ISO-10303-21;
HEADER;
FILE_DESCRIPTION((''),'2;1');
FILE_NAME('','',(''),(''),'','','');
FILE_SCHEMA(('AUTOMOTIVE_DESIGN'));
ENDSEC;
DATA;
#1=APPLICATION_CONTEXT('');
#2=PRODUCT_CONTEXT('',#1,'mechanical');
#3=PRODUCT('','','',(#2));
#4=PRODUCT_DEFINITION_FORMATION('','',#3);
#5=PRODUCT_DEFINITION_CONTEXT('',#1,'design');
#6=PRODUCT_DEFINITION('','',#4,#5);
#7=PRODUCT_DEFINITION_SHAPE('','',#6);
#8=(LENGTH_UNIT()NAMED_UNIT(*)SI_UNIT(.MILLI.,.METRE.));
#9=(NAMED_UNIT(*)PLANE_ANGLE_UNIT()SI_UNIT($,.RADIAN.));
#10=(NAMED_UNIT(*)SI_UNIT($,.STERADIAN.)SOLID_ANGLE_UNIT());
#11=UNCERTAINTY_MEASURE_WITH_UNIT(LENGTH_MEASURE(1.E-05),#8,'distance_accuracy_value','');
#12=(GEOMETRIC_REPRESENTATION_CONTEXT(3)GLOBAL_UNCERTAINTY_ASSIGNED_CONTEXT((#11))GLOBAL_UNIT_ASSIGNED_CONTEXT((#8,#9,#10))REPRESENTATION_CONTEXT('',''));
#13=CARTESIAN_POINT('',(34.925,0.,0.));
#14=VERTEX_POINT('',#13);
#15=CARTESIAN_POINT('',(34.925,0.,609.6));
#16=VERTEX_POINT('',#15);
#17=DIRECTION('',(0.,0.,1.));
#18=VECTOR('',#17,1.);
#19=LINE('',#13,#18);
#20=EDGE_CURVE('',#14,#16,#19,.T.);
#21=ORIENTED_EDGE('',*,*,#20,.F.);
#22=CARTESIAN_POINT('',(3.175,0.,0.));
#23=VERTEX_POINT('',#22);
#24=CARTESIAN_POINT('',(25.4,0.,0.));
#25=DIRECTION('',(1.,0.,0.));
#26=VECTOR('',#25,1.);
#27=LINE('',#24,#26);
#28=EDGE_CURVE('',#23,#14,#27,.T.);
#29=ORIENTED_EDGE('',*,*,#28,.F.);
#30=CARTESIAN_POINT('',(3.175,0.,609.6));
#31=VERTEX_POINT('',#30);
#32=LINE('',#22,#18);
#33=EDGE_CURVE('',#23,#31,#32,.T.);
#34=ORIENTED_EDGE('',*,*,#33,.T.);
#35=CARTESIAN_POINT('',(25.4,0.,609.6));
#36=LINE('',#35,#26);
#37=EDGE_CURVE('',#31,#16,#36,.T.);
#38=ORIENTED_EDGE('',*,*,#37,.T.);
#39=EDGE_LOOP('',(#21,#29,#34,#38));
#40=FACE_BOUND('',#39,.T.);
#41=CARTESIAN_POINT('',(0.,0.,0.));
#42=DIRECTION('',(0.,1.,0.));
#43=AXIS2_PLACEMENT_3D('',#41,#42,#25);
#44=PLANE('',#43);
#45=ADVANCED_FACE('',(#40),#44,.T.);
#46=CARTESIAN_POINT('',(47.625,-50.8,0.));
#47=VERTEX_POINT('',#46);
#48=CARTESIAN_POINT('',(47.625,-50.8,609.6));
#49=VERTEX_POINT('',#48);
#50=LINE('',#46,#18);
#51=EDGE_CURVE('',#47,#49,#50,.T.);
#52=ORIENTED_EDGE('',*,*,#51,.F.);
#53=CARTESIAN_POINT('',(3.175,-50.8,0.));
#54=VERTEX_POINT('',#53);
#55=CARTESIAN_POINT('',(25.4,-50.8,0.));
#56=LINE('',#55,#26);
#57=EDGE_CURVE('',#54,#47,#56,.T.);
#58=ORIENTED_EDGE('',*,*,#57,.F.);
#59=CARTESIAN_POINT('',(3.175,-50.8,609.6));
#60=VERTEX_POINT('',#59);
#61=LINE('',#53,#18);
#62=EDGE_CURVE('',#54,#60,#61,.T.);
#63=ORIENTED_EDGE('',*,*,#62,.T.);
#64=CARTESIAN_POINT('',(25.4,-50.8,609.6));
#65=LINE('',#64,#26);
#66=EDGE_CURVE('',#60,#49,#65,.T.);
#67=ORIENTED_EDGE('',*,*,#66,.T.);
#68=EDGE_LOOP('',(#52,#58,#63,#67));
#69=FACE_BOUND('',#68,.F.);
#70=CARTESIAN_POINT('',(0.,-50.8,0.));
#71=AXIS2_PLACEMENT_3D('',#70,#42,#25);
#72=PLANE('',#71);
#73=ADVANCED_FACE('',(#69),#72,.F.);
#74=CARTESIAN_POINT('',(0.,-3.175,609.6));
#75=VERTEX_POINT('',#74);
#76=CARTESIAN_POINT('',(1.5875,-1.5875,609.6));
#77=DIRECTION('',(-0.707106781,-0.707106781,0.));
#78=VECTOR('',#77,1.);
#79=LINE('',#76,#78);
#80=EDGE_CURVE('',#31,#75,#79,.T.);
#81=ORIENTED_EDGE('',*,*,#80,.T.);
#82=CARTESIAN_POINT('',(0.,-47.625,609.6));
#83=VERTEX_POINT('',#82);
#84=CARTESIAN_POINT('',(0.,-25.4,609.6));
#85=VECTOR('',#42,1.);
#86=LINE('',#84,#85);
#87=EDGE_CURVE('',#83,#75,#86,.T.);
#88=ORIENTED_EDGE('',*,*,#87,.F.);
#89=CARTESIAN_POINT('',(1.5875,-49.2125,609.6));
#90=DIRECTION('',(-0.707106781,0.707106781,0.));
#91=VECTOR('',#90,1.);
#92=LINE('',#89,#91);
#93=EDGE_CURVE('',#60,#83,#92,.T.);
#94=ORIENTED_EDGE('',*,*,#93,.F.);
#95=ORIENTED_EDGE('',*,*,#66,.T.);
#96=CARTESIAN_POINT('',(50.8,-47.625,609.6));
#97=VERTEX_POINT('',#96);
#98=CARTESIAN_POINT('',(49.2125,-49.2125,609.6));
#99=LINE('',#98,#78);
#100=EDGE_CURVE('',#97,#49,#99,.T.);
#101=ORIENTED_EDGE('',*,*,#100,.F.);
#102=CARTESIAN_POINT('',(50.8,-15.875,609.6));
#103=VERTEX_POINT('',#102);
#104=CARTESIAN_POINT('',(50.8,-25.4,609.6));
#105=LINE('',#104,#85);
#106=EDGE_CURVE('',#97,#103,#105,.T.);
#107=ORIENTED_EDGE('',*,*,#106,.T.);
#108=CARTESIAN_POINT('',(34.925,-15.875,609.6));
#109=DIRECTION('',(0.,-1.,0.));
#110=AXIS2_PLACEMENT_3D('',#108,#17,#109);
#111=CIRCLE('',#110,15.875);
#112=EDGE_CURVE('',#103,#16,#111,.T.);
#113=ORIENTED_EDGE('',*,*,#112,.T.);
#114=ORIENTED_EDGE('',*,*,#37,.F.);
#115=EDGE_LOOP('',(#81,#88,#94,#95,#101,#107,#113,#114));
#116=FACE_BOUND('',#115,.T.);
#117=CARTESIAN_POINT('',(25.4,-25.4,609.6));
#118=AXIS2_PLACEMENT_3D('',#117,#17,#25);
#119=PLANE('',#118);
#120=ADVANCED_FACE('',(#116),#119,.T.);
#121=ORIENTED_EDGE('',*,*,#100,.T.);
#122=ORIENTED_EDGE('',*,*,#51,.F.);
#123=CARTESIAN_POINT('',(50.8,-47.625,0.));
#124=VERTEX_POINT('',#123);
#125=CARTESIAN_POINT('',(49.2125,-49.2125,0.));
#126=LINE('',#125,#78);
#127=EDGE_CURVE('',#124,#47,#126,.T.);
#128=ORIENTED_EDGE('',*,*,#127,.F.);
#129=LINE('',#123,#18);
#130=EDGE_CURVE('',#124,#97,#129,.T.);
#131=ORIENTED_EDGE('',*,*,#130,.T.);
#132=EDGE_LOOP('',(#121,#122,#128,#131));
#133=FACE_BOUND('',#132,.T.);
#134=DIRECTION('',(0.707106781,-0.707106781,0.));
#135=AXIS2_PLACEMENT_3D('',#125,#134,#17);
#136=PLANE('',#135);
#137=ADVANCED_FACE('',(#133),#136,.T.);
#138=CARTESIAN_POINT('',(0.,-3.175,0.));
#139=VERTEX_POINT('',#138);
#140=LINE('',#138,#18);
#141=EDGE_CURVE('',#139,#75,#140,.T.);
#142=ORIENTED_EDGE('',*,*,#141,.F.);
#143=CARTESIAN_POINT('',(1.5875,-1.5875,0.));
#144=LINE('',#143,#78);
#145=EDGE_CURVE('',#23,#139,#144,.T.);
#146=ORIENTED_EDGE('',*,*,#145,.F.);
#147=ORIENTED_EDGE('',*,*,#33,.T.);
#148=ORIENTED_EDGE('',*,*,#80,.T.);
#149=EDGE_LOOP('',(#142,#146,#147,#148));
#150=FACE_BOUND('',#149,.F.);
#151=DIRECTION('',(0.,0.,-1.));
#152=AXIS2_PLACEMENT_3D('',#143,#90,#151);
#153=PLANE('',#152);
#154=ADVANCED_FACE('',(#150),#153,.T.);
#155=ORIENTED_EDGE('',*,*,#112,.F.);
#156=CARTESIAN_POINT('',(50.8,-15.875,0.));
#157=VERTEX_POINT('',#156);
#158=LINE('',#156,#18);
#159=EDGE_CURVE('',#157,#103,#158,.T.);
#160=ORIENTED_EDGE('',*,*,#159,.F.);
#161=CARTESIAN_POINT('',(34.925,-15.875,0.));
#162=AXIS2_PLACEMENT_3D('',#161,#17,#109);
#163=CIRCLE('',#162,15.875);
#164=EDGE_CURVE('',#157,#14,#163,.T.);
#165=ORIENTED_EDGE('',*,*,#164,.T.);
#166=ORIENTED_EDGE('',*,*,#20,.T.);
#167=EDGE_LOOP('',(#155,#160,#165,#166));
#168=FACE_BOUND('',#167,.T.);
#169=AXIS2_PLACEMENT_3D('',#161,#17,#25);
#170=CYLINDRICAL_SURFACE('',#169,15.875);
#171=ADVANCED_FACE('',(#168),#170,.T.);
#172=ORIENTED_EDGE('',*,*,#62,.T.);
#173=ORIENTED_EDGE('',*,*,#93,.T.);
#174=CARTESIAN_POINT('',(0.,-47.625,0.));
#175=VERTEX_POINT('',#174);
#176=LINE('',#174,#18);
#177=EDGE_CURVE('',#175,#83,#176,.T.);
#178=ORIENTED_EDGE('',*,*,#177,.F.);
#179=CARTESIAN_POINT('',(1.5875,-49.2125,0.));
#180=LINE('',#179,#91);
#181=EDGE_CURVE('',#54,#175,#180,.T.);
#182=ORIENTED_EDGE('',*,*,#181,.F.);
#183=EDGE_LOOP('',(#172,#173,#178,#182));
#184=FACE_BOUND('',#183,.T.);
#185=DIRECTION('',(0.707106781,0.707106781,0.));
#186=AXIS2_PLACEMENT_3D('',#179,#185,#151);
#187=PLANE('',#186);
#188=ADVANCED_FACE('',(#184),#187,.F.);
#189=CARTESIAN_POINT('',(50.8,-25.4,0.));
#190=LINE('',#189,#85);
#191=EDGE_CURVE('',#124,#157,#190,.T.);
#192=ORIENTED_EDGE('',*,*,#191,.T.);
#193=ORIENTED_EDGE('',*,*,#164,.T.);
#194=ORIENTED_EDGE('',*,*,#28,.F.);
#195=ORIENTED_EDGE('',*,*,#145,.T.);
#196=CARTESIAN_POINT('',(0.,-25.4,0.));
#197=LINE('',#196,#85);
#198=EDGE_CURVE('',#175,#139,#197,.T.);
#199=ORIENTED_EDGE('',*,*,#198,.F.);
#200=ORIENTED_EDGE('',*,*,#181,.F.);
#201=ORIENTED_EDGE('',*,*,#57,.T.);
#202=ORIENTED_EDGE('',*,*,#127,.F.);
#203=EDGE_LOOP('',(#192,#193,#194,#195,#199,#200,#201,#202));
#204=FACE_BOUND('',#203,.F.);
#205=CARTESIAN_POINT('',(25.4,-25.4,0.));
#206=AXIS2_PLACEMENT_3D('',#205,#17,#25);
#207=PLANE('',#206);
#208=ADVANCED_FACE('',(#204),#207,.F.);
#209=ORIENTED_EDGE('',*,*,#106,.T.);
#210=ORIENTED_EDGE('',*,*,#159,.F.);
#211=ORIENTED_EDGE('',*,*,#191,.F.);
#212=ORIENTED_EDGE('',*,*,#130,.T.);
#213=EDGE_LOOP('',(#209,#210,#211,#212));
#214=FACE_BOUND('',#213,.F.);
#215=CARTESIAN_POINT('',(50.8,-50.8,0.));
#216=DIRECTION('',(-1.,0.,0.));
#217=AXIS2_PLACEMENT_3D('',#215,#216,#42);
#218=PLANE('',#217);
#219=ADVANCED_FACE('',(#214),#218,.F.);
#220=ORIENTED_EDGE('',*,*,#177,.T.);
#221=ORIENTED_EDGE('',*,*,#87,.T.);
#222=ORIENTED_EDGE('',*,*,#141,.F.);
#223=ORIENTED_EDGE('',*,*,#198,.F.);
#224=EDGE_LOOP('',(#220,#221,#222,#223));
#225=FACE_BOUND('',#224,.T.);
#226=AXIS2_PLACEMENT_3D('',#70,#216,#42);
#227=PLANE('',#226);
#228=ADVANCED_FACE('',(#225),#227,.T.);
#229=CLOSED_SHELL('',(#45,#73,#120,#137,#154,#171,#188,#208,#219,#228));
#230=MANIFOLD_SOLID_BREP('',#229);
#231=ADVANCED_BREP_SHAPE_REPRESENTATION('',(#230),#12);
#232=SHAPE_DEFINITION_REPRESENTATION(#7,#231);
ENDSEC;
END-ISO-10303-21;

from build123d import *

# Parameters (mm, degrees)
F0_W     = 50.8
F0_H     = 50.8
F1_DEPTH = 609.6
F2_R     = 15.875
F3_SIZE  = 3.175


with BuildPart() as f1:
    # F0 (on Top) → F1 (new body)
    with BuildSketch(Plane.XY):
        with Locations((25.4, -25.4)):
            Rectangle(F0_W, F0_H)
    extrude(amount=F1_DEPTH)

    # F2
    f2_edges = [f1.edges().sort_by_distance(p)[0] for p in [
        (50.8, 0, 304.8),
    ]]
    fillet(f2_edges, radius=F2_R)

    # F3
    f3_edges = [f1.edges().sort_by_distance(p)[0] for p in [
        (0, 0, 304.8),
        (0, -50.8, 304.8),
        (50.8, -50.8, 304.8),
    ]]
    chamfer(f3_edges, length=F3_SIZE)


solid = f1.part
